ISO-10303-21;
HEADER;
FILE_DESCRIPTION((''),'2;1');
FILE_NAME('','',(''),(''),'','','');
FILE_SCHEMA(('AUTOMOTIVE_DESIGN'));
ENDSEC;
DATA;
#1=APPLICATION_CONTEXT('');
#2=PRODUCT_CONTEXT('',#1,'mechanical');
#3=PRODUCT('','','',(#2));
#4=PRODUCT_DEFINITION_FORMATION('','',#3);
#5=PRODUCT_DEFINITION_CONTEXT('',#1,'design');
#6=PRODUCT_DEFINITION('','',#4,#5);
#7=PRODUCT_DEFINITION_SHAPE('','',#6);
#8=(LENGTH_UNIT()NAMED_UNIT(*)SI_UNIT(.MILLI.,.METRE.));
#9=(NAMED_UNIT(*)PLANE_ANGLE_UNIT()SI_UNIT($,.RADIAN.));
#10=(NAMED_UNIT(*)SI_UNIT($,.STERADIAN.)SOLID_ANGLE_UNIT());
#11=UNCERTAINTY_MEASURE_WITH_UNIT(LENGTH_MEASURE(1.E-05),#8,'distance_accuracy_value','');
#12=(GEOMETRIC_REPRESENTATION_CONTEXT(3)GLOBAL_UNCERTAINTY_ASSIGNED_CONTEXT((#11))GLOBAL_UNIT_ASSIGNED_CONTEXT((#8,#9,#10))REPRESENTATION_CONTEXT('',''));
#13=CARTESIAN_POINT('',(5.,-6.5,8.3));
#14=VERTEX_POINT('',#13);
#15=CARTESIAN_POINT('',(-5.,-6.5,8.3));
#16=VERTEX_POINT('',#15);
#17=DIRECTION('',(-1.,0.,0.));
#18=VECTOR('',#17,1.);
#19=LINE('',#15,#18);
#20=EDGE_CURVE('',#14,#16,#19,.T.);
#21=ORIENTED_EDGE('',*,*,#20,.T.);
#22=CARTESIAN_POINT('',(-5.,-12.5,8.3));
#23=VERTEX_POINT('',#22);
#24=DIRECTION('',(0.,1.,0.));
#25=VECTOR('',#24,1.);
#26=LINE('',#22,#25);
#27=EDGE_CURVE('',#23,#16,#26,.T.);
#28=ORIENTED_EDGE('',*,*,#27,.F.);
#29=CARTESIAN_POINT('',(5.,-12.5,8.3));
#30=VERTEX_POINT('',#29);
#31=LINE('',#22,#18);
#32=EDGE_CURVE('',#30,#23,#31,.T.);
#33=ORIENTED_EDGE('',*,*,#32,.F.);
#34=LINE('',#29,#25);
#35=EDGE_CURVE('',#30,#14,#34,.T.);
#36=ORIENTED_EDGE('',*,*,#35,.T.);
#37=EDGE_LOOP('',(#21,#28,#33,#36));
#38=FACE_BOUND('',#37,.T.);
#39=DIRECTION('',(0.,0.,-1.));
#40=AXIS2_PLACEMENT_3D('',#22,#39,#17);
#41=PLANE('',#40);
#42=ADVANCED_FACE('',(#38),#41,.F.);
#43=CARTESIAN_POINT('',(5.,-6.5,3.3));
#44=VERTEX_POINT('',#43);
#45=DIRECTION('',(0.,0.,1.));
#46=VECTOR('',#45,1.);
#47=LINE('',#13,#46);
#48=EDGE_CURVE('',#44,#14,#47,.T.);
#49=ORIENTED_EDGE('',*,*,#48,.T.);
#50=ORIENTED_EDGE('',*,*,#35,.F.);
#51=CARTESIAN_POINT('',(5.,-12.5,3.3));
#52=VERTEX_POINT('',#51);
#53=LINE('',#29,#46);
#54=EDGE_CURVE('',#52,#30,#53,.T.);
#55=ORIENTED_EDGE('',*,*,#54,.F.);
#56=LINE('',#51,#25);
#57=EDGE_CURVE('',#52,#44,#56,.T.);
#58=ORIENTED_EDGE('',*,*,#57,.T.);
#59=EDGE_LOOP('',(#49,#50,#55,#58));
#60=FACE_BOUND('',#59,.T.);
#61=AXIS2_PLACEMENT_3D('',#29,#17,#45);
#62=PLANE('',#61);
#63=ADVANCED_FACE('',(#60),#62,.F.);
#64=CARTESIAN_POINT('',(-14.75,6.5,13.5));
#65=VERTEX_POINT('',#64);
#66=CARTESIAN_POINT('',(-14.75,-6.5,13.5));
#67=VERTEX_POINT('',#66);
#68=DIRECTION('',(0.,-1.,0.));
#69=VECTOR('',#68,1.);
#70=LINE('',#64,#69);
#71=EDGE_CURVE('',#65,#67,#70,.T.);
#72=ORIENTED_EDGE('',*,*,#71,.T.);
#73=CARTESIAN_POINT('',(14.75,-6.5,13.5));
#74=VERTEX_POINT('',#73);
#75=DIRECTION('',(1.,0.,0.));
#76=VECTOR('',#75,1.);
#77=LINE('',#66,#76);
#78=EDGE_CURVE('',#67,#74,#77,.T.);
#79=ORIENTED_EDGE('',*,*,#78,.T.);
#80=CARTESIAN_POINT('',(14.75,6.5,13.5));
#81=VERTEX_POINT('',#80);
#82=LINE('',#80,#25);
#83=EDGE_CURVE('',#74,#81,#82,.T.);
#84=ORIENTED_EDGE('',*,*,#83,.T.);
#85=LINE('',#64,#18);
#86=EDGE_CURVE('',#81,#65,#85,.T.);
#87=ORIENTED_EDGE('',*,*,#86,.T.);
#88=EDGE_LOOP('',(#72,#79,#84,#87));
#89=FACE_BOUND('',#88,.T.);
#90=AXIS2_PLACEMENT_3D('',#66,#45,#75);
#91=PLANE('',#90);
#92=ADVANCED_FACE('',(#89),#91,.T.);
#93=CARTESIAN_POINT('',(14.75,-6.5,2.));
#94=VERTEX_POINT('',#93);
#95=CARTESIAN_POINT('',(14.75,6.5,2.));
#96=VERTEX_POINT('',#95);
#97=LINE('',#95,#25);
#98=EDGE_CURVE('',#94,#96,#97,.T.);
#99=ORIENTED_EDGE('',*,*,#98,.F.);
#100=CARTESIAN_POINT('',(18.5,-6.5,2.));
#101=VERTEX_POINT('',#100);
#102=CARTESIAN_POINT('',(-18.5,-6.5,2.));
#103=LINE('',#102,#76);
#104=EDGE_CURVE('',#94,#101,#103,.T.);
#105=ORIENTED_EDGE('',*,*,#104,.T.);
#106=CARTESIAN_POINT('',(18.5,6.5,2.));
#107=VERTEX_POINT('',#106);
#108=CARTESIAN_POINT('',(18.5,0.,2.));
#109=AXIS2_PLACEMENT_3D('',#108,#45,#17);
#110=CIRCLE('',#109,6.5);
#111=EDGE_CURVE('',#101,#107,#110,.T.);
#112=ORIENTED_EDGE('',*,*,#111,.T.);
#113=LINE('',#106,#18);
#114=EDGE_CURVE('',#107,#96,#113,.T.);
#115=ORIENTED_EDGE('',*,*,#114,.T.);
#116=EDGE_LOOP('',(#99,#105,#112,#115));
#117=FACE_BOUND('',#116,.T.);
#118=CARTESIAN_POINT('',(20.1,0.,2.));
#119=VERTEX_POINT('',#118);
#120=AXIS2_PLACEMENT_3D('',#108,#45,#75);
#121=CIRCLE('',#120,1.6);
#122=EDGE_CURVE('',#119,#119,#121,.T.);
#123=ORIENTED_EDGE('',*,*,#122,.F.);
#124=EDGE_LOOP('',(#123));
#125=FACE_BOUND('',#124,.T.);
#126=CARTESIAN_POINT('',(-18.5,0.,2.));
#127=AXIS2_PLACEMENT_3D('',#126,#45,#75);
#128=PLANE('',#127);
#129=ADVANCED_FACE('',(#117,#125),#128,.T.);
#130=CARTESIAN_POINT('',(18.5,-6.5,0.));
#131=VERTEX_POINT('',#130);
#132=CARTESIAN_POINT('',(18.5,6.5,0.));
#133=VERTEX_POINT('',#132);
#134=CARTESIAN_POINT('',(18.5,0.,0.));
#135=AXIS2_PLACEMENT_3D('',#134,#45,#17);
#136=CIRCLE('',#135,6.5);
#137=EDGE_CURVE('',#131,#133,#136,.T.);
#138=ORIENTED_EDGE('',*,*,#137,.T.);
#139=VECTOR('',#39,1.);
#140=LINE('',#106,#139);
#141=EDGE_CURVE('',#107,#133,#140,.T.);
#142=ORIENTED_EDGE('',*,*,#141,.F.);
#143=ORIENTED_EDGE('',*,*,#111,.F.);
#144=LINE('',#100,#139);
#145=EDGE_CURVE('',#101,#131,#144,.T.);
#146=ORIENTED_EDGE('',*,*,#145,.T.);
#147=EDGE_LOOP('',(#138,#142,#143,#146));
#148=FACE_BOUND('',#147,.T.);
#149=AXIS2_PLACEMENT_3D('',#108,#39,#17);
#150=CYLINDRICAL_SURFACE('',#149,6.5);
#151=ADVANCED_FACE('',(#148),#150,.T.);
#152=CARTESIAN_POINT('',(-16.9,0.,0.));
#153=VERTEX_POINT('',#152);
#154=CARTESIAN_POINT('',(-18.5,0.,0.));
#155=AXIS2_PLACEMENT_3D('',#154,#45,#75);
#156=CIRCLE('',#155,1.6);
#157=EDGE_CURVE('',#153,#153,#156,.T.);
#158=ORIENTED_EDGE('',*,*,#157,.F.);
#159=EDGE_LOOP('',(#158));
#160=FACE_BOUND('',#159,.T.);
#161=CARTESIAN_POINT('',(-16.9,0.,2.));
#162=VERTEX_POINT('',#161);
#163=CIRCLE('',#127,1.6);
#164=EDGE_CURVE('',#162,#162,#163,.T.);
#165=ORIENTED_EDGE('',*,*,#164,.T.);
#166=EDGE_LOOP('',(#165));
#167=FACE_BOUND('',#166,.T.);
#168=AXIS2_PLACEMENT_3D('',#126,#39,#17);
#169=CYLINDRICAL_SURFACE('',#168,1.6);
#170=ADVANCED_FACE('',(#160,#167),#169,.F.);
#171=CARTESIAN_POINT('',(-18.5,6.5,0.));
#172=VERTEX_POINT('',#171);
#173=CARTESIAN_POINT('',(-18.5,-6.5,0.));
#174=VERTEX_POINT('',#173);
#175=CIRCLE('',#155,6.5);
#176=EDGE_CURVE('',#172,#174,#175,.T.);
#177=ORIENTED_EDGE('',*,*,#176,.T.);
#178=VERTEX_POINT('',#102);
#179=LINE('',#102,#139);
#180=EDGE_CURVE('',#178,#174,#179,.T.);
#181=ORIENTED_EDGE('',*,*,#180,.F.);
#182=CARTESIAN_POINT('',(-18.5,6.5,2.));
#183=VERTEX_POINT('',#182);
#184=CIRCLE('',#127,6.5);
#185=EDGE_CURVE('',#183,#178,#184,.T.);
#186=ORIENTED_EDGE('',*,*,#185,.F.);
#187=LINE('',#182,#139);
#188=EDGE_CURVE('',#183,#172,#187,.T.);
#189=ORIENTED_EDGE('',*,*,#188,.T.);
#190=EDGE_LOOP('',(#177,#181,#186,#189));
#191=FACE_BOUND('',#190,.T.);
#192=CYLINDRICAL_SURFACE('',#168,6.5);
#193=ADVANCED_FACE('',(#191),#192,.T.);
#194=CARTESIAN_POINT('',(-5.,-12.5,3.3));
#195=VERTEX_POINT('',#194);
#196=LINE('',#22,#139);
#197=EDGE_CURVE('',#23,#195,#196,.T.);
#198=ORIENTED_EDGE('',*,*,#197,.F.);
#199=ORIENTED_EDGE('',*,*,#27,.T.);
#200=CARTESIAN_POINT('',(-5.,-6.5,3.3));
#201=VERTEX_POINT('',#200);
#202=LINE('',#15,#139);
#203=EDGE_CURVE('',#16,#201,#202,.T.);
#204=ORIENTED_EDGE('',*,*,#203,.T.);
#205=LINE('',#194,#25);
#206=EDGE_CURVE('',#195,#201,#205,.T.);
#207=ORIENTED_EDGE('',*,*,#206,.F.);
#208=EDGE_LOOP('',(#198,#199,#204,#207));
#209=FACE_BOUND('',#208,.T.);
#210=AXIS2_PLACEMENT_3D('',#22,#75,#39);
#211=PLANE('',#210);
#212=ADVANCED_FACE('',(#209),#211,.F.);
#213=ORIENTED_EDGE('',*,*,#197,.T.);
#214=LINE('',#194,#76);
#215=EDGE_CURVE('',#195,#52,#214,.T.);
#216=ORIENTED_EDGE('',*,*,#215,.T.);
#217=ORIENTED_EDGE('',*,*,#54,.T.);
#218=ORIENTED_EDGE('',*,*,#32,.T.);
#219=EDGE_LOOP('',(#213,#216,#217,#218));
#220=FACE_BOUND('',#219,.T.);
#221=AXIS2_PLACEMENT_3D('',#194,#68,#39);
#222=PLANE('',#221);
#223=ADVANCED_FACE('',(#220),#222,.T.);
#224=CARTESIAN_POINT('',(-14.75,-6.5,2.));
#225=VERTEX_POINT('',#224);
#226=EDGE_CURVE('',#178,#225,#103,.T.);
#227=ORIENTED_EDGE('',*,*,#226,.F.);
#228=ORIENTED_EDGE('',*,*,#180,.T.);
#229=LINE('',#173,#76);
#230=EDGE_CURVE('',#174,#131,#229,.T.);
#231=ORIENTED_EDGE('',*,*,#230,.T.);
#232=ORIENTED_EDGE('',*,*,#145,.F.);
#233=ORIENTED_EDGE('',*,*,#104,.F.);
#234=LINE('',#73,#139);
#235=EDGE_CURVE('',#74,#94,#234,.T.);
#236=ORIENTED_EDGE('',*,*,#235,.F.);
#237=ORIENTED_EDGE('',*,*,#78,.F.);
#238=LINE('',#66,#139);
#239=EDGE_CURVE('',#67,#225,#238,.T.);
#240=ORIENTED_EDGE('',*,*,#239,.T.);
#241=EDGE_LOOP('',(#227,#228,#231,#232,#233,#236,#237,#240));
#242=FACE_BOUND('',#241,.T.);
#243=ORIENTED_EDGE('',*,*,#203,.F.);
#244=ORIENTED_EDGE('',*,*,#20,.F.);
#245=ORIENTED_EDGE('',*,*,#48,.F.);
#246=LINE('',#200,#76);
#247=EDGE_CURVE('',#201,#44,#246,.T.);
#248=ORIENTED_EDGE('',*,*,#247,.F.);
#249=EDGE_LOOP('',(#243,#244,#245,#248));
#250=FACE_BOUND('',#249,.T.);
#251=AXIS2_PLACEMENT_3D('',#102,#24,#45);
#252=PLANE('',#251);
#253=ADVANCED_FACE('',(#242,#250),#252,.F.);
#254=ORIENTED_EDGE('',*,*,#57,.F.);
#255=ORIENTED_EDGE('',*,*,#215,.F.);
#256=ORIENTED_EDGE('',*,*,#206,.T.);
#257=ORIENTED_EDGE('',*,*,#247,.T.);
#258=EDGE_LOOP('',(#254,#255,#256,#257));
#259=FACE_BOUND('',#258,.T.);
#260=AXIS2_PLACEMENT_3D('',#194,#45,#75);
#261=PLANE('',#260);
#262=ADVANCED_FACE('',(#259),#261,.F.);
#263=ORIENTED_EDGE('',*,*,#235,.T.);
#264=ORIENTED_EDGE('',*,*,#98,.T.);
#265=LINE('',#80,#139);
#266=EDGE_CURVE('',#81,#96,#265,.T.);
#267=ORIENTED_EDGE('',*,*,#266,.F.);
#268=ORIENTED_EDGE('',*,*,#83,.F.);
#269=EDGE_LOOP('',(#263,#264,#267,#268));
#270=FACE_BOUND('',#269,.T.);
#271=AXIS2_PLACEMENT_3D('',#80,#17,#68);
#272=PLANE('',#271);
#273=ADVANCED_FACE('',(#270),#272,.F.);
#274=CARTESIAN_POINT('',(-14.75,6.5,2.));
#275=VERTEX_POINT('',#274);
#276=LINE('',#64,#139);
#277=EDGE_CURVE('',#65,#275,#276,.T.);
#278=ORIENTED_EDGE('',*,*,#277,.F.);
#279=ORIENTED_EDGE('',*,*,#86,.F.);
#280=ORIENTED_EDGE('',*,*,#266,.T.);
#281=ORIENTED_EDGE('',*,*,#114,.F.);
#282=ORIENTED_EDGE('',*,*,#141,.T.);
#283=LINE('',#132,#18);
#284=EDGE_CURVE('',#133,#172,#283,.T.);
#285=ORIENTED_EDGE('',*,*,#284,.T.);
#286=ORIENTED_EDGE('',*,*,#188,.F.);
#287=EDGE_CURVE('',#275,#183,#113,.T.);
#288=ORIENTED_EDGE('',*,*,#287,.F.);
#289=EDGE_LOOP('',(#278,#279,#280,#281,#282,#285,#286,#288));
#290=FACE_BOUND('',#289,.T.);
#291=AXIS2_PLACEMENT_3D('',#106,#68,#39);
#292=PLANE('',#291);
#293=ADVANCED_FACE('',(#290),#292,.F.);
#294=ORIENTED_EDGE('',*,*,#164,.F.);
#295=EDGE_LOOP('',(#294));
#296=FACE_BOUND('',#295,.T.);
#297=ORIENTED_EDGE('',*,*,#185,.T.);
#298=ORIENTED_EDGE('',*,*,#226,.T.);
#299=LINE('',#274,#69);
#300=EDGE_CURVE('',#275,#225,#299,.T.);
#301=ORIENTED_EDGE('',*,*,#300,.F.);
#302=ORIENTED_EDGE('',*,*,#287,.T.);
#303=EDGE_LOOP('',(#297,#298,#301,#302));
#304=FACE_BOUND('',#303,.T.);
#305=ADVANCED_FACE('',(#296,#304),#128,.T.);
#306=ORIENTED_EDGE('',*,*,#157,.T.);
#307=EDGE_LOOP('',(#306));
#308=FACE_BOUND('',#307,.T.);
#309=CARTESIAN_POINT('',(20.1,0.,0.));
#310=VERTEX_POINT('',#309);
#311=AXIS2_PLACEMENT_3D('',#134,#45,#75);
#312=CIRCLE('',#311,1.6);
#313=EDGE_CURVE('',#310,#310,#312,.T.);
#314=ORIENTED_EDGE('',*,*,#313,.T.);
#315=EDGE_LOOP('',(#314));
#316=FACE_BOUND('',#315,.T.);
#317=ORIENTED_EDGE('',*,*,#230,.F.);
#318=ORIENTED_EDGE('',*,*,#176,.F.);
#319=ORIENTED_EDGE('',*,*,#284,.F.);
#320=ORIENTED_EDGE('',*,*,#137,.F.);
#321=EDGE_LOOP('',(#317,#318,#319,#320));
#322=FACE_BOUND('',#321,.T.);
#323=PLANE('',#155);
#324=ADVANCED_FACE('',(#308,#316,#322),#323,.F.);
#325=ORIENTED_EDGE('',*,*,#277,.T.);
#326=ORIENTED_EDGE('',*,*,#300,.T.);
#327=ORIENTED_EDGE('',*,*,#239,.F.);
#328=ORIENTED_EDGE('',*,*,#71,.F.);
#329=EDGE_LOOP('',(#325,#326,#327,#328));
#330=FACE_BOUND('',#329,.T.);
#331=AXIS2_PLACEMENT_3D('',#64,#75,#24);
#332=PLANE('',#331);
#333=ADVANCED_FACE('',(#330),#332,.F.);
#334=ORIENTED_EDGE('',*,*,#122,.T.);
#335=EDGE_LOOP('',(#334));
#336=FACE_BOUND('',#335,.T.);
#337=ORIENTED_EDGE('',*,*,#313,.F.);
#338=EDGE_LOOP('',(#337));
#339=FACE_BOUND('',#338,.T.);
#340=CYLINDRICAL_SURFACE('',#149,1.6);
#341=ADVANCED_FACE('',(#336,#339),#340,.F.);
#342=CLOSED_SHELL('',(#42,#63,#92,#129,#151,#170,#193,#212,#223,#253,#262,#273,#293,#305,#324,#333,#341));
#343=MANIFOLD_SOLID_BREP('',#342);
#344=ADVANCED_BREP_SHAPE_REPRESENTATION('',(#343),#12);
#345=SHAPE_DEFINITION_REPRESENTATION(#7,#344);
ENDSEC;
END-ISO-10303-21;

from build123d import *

# Parameters (mm, degrees)
ESQUISSE1_R      = 1.6
EXTRUSION1_DEPTH = 2
ESQUISSE2_W      = 29.5
ESQUISSE2_H      = 13
EXTRUSION2_DEPTH = 11.5
ESQUISSE3_W      = 10
ESQUISSE3_H      = 5
EXTRUSION3_DEPTH = 6


with BuildPart() as part:
    # Esquisse1 → Extrusion1 (new body)
    with BuildSketch(Plane.XY):
        with BuildLine():
            Line((-18.5, -6.5), (18.5, -6.5))
            ThreePointArc((18.5, -6.5), (25, 0), (18.5, 6.5))
            Line((18.5, 6.5), (-18.5, 6.5))
            ThreePointArc((-18.5, 6.5), (-25, 0), (-18.5, -6.5))
        make_face()
        with Locations((-18.5, 0)):
            Circle(ESQUISSE1_R, mode=Mode.SUBTRACT)
        with Locations((18.5, 0)):
            Circle(ESQUISSE1_R, mode=Mode.SUBTRACT)
    extrude(amount=EXTRUSION1_DEPTH)

    # Esquisse2 → Extrusion2 (add)
    with BuildSketch(Plane.XY.offset(2)):
        Rectangle(ESQUISSE2_W, ESQUISSE2_H)
    extrude(amount=EXTRUSION2_DEPTH)

    # Esquisse3 → Extrusion3 (add)
    with BuildSketch(Plane.XZ.offset(6.5)):
        with Locations((0, 5.8)):
            Rectangle(ESQUISSE3_W, ESQUISSE3_H)
    extrude(amount=EXTRUSION3_DEPTH)


solid = part.part
